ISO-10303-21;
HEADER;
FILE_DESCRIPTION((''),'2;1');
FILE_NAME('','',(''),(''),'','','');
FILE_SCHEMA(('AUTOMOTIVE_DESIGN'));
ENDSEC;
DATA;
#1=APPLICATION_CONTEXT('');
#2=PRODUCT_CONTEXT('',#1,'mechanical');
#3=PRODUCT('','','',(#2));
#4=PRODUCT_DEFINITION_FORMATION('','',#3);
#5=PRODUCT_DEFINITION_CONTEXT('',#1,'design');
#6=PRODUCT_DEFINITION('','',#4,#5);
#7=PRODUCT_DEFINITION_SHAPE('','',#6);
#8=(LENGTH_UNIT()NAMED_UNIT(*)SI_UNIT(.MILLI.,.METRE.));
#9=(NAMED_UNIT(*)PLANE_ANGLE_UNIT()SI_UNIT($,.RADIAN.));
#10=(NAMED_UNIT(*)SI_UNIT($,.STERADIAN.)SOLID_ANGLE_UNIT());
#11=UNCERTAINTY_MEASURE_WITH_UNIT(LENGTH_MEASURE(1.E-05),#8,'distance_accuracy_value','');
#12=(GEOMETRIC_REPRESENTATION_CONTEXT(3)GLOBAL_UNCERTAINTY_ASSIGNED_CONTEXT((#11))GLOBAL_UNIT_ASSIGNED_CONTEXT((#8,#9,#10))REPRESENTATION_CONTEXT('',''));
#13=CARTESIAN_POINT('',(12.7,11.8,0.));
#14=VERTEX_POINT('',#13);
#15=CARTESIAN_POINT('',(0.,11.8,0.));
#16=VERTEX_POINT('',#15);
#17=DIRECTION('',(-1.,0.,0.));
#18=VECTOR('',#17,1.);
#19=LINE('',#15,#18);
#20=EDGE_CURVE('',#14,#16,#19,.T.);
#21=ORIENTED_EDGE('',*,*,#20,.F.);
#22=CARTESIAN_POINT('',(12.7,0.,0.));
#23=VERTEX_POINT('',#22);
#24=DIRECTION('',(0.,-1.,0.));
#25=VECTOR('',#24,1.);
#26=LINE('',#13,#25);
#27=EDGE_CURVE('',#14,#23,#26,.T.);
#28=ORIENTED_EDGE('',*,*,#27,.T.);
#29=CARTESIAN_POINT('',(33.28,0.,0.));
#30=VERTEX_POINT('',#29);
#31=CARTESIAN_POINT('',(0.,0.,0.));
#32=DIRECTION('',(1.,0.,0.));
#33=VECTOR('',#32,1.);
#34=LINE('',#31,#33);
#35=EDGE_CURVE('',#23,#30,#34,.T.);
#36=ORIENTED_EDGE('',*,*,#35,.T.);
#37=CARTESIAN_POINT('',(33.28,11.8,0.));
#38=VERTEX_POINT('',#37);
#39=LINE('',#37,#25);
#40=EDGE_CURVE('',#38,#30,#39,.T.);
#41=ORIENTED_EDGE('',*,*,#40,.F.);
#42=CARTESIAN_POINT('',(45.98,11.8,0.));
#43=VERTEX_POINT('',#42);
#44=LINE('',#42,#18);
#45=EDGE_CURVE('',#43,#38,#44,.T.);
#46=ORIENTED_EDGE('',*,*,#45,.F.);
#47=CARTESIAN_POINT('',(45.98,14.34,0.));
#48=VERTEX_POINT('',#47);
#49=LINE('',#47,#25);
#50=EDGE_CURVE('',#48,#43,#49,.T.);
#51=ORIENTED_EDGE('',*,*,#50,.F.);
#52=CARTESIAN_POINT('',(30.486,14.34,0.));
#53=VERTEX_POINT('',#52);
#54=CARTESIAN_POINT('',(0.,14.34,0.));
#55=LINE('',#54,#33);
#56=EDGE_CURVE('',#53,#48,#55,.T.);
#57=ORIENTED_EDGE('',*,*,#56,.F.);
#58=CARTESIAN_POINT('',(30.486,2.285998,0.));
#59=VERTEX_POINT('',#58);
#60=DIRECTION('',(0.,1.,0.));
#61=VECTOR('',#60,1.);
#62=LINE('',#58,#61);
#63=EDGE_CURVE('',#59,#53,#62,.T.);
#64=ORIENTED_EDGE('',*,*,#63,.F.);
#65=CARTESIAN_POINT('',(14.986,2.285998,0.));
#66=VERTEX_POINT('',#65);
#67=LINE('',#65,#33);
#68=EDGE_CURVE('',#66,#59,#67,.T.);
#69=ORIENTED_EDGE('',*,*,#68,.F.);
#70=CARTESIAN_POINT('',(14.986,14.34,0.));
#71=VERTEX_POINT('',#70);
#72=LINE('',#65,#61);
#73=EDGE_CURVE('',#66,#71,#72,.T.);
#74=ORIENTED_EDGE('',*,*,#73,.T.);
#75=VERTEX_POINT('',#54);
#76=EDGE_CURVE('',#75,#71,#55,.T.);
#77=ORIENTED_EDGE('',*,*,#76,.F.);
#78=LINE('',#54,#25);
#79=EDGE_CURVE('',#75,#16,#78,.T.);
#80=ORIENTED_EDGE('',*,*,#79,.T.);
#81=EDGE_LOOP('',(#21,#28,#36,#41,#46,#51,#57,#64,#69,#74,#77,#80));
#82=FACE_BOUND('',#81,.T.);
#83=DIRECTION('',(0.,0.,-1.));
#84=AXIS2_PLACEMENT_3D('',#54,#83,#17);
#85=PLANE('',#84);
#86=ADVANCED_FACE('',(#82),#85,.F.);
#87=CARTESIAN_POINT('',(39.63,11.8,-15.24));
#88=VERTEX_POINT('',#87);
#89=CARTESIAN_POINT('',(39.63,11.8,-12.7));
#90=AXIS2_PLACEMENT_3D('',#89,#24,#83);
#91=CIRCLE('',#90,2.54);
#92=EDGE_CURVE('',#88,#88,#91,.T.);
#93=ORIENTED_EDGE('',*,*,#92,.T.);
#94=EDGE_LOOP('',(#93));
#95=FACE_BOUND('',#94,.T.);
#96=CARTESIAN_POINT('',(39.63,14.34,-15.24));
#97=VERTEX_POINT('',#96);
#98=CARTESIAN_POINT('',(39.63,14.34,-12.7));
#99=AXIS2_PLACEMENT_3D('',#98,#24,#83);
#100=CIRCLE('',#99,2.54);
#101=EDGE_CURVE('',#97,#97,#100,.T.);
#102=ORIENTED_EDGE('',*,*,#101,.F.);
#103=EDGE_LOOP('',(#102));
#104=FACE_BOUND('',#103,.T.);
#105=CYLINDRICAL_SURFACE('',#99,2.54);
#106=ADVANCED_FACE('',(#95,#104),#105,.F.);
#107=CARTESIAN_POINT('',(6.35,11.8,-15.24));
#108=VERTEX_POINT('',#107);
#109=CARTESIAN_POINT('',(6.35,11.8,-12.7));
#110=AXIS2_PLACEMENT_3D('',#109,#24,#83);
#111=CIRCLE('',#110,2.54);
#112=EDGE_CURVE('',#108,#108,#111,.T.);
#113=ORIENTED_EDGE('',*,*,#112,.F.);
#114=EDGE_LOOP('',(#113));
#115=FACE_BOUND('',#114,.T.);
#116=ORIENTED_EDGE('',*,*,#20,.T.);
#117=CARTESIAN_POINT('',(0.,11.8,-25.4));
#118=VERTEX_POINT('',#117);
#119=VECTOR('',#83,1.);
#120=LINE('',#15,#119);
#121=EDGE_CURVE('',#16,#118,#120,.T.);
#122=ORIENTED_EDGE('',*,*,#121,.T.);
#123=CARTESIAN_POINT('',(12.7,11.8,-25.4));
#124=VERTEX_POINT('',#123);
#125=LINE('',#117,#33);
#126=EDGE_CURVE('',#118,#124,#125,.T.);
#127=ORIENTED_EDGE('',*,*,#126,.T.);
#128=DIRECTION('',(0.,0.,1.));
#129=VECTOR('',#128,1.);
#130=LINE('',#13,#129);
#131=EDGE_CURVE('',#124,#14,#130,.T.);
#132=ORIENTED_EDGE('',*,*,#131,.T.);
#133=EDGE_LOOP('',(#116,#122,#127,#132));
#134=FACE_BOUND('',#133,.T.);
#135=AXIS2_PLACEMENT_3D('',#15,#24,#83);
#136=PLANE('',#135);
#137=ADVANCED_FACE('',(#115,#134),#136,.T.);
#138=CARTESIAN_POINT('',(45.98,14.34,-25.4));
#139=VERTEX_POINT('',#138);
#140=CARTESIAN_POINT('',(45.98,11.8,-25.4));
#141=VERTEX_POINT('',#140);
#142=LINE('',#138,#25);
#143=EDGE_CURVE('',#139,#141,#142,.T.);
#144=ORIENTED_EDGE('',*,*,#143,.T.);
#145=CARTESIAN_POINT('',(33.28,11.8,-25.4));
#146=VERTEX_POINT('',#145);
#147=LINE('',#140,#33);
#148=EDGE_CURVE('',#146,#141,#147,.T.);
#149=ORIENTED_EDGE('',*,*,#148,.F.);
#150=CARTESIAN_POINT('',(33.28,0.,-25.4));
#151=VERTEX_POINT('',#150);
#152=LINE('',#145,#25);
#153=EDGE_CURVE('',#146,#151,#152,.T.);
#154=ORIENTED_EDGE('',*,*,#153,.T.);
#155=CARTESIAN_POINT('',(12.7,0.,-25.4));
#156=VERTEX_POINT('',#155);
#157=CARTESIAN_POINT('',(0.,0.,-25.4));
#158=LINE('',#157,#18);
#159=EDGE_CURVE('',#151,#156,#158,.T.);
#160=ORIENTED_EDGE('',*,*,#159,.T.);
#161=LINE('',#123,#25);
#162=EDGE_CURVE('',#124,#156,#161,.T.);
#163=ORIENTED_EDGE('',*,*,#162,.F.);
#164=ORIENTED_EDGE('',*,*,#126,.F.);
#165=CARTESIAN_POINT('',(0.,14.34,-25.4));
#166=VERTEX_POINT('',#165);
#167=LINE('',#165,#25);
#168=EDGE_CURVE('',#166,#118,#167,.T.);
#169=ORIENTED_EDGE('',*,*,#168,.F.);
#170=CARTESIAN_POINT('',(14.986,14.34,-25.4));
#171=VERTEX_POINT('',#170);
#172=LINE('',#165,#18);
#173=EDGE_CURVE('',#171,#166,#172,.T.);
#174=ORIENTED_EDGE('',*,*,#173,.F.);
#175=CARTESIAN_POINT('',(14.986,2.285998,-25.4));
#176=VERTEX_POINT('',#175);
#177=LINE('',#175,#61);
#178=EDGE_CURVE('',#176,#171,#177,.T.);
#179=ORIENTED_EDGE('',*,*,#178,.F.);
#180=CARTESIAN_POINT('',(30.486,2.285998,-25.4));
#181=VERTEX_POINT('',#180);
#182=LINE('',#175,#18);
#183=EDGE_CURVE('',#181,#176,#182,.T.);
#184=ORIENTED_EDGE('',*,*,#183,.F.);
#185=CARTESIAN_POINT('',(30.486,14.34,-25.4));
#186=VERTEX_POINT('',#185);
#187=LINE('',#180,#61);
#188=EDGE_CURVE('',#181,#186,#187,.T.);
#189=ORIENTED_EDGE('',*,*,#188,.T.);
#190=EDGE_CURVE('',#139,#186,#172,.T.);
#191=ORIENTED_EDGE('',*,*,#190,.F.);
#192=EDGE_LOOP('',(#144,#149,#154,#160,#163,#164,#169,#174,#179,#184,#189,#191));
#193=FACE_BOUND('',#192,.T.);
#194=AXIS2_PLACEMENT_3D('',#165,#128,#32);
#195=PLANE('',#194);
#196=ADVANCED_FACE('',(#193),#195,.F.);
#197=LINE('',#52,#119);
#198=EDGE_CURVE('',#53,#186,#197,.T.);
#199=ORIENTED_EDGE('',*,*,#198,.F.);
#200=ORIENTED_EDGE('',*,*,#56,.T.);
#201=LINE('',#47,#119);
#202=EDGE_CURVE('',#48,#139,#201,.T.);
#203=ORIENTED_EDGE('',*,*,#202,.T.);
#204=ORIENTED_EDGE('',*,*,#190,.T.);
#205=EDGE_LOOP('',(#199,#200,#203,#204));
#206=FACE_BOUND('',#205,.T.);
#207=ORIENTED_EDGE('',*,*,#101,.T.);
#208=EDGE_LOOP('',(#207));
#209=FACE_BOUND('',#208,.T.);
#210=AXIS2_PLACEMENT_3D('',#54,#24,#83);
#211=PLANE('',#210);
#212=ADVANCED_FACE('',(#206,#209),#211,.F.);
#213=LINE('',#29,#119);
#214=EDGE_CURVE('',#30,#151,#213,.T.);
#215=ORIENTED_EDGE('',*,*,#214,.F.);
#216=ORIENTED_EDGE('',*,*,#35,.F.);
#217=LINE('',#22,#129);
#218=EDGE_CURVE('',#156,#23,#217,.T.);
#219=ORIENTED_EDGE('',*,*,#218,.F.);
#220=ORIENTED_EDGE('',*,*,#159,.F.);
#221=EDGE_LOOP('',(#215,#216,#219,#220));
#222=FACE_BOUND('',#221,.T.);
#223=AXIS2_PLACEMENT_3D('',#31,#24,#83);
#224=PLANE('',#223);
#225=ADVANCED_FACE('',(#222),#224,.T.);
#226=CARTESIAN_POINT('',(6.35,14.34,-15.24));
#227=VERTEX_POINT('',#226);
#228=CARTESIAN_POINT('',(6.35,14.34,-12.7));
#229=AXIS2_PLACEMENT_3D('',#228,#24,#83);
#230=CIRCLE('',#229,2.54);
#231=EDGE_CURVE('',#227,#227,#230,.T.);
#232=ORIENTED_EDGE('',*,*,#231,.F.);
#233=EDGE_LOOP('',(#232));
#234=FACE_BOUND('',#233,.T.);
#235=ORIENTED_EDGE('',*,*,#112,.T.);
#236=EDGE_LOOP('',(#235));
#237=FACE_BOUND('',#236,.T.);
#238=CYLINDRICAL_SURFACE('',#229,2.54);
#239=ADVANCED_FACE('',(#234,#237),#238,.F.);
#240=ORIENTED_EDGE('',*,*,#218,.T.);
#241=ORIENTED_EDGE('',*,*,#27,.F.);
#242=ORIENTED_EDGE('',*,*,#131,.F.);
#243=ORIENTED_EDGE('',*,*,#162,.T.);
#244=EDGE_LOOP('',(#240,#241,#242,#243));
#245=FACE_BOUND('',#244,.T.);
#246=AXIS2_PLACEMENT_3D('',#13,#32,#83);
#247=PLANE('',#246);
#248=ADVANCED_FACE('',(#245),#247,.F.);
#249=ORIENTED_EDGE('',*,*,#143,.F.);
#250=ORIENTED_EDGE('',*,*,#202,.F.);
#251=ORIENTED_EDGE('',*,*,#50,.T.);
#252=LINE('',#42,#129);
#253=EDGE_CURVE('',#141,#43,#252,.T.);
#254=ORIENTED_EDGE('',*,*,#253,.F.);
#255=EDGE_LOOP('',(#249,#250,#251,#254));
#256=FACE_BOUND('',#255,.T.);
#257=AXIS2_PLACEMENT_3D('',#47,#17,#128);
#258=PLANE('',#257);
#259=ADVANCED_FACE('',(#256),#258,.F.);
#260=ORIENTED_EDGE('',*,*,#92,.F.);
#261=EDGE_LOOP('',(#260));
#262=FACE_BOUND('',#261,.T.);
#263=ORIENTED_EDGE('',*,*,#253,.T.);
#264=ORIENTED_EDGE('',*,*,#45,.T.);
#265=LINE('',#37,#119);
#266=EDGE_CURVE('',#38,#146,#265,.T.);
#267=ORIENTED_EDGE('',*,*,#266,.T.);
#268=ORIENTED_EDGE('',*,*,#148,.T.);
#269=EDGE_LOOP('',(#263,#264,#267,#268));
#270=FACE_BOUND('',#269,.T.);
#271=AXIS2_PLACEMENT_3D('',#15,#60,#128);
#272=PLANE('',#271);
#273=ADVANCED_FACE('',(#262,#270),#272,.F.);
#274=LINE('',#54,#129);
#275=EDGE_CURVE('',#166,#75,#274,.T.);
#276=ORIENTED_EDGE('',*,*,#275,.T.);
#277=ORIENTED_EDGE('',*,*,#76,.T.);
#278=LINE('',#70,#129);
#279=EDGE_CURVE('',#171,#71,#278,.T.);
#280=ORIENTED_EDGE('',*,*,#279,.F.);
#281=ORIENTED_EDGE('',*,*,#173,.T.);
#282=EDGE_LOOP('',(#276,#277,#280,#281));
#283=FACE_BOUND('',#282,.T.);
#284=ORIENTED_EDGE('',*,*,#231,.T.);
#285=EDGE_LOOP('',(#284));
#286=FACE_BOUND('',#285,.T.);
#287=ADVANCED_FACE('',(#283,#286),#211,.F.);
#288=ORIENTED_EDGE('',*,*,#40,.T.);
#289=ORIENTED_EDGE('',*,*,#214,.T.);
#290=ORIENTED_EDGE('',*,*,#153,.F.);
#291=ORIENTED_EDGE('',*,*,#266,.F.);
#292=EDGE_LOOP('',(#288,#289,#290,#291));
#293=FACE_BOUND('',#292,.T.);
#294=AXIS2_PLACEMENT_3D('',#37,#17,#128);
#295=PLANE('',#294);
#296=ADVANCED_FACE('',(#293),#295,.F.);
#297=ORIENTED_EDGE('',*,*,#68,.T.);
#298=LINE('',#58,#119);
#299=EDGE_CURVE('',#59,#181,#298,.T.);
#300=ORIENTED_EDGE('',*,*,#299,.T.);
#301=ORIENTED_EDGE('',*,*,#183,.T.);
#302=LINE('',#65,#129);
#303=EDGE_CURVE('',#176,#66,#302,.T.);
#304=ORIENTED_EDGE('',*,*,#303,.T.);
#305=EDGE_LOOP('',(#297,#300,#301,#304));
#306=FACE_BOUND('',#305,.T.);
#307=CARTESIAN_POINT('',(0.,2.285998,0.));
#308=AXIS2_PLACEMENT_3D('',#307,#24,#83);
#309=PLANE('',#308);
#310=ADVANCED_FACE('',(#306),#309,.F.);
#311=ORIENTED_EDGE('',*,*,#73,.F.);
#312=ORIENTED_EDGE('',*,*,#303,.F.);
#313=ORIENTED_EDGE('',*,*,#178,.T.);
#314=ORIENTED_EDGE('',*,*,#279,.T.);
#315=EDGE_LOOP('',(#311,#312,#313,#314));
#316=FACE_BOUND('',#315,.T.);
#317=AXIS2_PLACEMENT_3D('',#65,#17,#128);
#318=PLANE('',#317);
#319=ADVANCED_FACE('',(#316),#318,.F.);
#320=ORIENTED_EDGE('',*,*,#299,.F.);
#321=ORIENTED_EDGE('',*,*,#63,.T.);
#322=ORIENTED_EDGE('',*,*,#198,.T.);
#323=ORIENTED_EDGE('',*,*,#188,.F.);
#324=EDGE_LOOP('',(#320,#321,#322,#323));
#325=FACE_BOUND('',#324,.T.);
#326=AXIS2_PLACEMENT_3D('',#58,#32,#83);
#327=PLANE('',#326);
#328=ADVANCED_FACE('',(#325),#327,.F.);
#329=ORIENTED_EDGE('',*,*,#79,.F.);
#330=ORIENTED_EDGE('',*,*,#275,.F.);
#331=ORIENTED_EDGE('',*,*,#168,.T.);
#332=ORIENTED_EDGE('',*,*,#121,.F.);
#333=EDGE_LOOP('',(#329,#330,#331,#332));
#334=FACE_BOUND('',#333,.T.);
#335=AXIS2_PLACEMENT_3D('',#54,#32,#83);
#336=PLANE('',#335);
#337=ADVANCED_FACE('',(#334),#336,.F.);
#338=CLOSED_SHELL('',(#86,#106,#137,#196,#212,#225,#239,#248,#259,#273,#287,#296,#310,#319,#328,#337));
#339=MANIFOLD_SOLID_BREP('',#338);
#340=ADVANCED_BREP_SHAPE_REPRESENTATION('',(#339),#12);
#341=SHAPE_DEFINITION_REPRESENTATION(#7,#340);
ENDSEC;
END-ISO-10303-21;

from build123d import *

# Parameters (mm, degrees)
SKETCH2_W           = 45.979999988
SKETCH2_H           = 25.4
BOSS_EXTRUDE1_DEPTH = 14.340000022
SKETCH3_W           = 15.499999988
SKETCH3_H           = 25.4
CUT_EXTRUDE1_DEPTH  = 12.0540018
SKETCH4_W           = 12.7
SKETCH4_H           = 25.4
CUT_EXTRUDE2_DEPTH  = 11.800000022
SKETCH5_W           = 12.7
SKETCH5_H           = 25.4
CUT_EXTRUDE3_DEPTH  = 11.800000022
SKETCH6_R           = 2.54
CUT_EXTRUDE4_DEPTH  = 2.54
SKETCH7_R           = 2.54
CUT_EXTRUDE5_DEPTH  = 2.54


with BuildPart() as part:
    # Sketch2 → Boss-Extrude1 (new body)
    with BuildSketch(Plane(origin=(0, 0, 0), x_dir=(1, 0, 0), z_dir=(0, 1, 0))):
        with Locations((22.989999994, 12.7)):
            Rectangle(SKETCH2_W, SKETCH2_H)
    extrude(amount=BOSS_EXTRUDE1_DEPTH)

    # Sketch3 → Cut-Extrude1 (cut)
    with BuildSketch(Plane(origin=(0, 14.340000022, 0), x_dir=(1, 0, 0), z_dir=(0, 1, 0))):
        with Locations((22.735999994, 12.7)):
            Rectangle(SKETCH3_W, SKETCH3_H)
    extrude(amount=-CUT_EXTRUDE1_DEPTH, mode=Mode.SUBTRACT)

    # Sketch4 → Cut-Extrude2 (cut)
    with BuildSketch(Plane(origin=(0, 0, 0), x_dir=(-1, 0, 0), z_dir=(0, -1, 0))):
        with Locations((-6.35, 12.7)):
            Rectangle(SKETCH4_W, SKETCH4_H)
    extrude(amount=-CUT_EXTRUDE2_DEPTH, mode=Mode.SUBTRACT)

    # Sketch5 → Cut-Extrude3 (cut)
    with BuildSketch(Plane(origin=(0, 0, 0), x_dir=(-1, 0, 0), z_dir=(0, -1, 0))):
        with Locations((-39.629999988, 12.7)):
            Rectangle(SKETCH5_W, SKETCH5_H)
    extrude(amount=-CUT_EXTRUDE3_DEPTH, mode=Mode.SUBTRACT)

    # Sketch6 → Cut-Extrude4 (cut)
    with BuildSketch(Plane(origin=(0, 11.800000022, 0), x_dir=(-1, 0, 0), z_dir=(0, -1, 0))):
        with Locations(Location((-6.35, 12.7, 0), (0, 0, 90))):
            Circle(SKETCH6_R)
    extrude(amount=-CUT_EXTRUDE4_DEPTH, mode=Mode.SUBTRACT)

    # Sketch7 → Cut-Extrude5 (cut)
    with BuildSketch(Plane(origin=(0, 11.800000022, 0), x_dir=(-1, 0, 0), z_dir=(0, -1, 0))):
        with Locations(Location((-39.629999988, 12.7, 0), (0, 0, 90))):
            Circle(SKETCH7_R)
    extrude(amount=-CUT_EXTRUDE5_DEPTH, mode=Mode.SUBTRACT)


solid = part.part
